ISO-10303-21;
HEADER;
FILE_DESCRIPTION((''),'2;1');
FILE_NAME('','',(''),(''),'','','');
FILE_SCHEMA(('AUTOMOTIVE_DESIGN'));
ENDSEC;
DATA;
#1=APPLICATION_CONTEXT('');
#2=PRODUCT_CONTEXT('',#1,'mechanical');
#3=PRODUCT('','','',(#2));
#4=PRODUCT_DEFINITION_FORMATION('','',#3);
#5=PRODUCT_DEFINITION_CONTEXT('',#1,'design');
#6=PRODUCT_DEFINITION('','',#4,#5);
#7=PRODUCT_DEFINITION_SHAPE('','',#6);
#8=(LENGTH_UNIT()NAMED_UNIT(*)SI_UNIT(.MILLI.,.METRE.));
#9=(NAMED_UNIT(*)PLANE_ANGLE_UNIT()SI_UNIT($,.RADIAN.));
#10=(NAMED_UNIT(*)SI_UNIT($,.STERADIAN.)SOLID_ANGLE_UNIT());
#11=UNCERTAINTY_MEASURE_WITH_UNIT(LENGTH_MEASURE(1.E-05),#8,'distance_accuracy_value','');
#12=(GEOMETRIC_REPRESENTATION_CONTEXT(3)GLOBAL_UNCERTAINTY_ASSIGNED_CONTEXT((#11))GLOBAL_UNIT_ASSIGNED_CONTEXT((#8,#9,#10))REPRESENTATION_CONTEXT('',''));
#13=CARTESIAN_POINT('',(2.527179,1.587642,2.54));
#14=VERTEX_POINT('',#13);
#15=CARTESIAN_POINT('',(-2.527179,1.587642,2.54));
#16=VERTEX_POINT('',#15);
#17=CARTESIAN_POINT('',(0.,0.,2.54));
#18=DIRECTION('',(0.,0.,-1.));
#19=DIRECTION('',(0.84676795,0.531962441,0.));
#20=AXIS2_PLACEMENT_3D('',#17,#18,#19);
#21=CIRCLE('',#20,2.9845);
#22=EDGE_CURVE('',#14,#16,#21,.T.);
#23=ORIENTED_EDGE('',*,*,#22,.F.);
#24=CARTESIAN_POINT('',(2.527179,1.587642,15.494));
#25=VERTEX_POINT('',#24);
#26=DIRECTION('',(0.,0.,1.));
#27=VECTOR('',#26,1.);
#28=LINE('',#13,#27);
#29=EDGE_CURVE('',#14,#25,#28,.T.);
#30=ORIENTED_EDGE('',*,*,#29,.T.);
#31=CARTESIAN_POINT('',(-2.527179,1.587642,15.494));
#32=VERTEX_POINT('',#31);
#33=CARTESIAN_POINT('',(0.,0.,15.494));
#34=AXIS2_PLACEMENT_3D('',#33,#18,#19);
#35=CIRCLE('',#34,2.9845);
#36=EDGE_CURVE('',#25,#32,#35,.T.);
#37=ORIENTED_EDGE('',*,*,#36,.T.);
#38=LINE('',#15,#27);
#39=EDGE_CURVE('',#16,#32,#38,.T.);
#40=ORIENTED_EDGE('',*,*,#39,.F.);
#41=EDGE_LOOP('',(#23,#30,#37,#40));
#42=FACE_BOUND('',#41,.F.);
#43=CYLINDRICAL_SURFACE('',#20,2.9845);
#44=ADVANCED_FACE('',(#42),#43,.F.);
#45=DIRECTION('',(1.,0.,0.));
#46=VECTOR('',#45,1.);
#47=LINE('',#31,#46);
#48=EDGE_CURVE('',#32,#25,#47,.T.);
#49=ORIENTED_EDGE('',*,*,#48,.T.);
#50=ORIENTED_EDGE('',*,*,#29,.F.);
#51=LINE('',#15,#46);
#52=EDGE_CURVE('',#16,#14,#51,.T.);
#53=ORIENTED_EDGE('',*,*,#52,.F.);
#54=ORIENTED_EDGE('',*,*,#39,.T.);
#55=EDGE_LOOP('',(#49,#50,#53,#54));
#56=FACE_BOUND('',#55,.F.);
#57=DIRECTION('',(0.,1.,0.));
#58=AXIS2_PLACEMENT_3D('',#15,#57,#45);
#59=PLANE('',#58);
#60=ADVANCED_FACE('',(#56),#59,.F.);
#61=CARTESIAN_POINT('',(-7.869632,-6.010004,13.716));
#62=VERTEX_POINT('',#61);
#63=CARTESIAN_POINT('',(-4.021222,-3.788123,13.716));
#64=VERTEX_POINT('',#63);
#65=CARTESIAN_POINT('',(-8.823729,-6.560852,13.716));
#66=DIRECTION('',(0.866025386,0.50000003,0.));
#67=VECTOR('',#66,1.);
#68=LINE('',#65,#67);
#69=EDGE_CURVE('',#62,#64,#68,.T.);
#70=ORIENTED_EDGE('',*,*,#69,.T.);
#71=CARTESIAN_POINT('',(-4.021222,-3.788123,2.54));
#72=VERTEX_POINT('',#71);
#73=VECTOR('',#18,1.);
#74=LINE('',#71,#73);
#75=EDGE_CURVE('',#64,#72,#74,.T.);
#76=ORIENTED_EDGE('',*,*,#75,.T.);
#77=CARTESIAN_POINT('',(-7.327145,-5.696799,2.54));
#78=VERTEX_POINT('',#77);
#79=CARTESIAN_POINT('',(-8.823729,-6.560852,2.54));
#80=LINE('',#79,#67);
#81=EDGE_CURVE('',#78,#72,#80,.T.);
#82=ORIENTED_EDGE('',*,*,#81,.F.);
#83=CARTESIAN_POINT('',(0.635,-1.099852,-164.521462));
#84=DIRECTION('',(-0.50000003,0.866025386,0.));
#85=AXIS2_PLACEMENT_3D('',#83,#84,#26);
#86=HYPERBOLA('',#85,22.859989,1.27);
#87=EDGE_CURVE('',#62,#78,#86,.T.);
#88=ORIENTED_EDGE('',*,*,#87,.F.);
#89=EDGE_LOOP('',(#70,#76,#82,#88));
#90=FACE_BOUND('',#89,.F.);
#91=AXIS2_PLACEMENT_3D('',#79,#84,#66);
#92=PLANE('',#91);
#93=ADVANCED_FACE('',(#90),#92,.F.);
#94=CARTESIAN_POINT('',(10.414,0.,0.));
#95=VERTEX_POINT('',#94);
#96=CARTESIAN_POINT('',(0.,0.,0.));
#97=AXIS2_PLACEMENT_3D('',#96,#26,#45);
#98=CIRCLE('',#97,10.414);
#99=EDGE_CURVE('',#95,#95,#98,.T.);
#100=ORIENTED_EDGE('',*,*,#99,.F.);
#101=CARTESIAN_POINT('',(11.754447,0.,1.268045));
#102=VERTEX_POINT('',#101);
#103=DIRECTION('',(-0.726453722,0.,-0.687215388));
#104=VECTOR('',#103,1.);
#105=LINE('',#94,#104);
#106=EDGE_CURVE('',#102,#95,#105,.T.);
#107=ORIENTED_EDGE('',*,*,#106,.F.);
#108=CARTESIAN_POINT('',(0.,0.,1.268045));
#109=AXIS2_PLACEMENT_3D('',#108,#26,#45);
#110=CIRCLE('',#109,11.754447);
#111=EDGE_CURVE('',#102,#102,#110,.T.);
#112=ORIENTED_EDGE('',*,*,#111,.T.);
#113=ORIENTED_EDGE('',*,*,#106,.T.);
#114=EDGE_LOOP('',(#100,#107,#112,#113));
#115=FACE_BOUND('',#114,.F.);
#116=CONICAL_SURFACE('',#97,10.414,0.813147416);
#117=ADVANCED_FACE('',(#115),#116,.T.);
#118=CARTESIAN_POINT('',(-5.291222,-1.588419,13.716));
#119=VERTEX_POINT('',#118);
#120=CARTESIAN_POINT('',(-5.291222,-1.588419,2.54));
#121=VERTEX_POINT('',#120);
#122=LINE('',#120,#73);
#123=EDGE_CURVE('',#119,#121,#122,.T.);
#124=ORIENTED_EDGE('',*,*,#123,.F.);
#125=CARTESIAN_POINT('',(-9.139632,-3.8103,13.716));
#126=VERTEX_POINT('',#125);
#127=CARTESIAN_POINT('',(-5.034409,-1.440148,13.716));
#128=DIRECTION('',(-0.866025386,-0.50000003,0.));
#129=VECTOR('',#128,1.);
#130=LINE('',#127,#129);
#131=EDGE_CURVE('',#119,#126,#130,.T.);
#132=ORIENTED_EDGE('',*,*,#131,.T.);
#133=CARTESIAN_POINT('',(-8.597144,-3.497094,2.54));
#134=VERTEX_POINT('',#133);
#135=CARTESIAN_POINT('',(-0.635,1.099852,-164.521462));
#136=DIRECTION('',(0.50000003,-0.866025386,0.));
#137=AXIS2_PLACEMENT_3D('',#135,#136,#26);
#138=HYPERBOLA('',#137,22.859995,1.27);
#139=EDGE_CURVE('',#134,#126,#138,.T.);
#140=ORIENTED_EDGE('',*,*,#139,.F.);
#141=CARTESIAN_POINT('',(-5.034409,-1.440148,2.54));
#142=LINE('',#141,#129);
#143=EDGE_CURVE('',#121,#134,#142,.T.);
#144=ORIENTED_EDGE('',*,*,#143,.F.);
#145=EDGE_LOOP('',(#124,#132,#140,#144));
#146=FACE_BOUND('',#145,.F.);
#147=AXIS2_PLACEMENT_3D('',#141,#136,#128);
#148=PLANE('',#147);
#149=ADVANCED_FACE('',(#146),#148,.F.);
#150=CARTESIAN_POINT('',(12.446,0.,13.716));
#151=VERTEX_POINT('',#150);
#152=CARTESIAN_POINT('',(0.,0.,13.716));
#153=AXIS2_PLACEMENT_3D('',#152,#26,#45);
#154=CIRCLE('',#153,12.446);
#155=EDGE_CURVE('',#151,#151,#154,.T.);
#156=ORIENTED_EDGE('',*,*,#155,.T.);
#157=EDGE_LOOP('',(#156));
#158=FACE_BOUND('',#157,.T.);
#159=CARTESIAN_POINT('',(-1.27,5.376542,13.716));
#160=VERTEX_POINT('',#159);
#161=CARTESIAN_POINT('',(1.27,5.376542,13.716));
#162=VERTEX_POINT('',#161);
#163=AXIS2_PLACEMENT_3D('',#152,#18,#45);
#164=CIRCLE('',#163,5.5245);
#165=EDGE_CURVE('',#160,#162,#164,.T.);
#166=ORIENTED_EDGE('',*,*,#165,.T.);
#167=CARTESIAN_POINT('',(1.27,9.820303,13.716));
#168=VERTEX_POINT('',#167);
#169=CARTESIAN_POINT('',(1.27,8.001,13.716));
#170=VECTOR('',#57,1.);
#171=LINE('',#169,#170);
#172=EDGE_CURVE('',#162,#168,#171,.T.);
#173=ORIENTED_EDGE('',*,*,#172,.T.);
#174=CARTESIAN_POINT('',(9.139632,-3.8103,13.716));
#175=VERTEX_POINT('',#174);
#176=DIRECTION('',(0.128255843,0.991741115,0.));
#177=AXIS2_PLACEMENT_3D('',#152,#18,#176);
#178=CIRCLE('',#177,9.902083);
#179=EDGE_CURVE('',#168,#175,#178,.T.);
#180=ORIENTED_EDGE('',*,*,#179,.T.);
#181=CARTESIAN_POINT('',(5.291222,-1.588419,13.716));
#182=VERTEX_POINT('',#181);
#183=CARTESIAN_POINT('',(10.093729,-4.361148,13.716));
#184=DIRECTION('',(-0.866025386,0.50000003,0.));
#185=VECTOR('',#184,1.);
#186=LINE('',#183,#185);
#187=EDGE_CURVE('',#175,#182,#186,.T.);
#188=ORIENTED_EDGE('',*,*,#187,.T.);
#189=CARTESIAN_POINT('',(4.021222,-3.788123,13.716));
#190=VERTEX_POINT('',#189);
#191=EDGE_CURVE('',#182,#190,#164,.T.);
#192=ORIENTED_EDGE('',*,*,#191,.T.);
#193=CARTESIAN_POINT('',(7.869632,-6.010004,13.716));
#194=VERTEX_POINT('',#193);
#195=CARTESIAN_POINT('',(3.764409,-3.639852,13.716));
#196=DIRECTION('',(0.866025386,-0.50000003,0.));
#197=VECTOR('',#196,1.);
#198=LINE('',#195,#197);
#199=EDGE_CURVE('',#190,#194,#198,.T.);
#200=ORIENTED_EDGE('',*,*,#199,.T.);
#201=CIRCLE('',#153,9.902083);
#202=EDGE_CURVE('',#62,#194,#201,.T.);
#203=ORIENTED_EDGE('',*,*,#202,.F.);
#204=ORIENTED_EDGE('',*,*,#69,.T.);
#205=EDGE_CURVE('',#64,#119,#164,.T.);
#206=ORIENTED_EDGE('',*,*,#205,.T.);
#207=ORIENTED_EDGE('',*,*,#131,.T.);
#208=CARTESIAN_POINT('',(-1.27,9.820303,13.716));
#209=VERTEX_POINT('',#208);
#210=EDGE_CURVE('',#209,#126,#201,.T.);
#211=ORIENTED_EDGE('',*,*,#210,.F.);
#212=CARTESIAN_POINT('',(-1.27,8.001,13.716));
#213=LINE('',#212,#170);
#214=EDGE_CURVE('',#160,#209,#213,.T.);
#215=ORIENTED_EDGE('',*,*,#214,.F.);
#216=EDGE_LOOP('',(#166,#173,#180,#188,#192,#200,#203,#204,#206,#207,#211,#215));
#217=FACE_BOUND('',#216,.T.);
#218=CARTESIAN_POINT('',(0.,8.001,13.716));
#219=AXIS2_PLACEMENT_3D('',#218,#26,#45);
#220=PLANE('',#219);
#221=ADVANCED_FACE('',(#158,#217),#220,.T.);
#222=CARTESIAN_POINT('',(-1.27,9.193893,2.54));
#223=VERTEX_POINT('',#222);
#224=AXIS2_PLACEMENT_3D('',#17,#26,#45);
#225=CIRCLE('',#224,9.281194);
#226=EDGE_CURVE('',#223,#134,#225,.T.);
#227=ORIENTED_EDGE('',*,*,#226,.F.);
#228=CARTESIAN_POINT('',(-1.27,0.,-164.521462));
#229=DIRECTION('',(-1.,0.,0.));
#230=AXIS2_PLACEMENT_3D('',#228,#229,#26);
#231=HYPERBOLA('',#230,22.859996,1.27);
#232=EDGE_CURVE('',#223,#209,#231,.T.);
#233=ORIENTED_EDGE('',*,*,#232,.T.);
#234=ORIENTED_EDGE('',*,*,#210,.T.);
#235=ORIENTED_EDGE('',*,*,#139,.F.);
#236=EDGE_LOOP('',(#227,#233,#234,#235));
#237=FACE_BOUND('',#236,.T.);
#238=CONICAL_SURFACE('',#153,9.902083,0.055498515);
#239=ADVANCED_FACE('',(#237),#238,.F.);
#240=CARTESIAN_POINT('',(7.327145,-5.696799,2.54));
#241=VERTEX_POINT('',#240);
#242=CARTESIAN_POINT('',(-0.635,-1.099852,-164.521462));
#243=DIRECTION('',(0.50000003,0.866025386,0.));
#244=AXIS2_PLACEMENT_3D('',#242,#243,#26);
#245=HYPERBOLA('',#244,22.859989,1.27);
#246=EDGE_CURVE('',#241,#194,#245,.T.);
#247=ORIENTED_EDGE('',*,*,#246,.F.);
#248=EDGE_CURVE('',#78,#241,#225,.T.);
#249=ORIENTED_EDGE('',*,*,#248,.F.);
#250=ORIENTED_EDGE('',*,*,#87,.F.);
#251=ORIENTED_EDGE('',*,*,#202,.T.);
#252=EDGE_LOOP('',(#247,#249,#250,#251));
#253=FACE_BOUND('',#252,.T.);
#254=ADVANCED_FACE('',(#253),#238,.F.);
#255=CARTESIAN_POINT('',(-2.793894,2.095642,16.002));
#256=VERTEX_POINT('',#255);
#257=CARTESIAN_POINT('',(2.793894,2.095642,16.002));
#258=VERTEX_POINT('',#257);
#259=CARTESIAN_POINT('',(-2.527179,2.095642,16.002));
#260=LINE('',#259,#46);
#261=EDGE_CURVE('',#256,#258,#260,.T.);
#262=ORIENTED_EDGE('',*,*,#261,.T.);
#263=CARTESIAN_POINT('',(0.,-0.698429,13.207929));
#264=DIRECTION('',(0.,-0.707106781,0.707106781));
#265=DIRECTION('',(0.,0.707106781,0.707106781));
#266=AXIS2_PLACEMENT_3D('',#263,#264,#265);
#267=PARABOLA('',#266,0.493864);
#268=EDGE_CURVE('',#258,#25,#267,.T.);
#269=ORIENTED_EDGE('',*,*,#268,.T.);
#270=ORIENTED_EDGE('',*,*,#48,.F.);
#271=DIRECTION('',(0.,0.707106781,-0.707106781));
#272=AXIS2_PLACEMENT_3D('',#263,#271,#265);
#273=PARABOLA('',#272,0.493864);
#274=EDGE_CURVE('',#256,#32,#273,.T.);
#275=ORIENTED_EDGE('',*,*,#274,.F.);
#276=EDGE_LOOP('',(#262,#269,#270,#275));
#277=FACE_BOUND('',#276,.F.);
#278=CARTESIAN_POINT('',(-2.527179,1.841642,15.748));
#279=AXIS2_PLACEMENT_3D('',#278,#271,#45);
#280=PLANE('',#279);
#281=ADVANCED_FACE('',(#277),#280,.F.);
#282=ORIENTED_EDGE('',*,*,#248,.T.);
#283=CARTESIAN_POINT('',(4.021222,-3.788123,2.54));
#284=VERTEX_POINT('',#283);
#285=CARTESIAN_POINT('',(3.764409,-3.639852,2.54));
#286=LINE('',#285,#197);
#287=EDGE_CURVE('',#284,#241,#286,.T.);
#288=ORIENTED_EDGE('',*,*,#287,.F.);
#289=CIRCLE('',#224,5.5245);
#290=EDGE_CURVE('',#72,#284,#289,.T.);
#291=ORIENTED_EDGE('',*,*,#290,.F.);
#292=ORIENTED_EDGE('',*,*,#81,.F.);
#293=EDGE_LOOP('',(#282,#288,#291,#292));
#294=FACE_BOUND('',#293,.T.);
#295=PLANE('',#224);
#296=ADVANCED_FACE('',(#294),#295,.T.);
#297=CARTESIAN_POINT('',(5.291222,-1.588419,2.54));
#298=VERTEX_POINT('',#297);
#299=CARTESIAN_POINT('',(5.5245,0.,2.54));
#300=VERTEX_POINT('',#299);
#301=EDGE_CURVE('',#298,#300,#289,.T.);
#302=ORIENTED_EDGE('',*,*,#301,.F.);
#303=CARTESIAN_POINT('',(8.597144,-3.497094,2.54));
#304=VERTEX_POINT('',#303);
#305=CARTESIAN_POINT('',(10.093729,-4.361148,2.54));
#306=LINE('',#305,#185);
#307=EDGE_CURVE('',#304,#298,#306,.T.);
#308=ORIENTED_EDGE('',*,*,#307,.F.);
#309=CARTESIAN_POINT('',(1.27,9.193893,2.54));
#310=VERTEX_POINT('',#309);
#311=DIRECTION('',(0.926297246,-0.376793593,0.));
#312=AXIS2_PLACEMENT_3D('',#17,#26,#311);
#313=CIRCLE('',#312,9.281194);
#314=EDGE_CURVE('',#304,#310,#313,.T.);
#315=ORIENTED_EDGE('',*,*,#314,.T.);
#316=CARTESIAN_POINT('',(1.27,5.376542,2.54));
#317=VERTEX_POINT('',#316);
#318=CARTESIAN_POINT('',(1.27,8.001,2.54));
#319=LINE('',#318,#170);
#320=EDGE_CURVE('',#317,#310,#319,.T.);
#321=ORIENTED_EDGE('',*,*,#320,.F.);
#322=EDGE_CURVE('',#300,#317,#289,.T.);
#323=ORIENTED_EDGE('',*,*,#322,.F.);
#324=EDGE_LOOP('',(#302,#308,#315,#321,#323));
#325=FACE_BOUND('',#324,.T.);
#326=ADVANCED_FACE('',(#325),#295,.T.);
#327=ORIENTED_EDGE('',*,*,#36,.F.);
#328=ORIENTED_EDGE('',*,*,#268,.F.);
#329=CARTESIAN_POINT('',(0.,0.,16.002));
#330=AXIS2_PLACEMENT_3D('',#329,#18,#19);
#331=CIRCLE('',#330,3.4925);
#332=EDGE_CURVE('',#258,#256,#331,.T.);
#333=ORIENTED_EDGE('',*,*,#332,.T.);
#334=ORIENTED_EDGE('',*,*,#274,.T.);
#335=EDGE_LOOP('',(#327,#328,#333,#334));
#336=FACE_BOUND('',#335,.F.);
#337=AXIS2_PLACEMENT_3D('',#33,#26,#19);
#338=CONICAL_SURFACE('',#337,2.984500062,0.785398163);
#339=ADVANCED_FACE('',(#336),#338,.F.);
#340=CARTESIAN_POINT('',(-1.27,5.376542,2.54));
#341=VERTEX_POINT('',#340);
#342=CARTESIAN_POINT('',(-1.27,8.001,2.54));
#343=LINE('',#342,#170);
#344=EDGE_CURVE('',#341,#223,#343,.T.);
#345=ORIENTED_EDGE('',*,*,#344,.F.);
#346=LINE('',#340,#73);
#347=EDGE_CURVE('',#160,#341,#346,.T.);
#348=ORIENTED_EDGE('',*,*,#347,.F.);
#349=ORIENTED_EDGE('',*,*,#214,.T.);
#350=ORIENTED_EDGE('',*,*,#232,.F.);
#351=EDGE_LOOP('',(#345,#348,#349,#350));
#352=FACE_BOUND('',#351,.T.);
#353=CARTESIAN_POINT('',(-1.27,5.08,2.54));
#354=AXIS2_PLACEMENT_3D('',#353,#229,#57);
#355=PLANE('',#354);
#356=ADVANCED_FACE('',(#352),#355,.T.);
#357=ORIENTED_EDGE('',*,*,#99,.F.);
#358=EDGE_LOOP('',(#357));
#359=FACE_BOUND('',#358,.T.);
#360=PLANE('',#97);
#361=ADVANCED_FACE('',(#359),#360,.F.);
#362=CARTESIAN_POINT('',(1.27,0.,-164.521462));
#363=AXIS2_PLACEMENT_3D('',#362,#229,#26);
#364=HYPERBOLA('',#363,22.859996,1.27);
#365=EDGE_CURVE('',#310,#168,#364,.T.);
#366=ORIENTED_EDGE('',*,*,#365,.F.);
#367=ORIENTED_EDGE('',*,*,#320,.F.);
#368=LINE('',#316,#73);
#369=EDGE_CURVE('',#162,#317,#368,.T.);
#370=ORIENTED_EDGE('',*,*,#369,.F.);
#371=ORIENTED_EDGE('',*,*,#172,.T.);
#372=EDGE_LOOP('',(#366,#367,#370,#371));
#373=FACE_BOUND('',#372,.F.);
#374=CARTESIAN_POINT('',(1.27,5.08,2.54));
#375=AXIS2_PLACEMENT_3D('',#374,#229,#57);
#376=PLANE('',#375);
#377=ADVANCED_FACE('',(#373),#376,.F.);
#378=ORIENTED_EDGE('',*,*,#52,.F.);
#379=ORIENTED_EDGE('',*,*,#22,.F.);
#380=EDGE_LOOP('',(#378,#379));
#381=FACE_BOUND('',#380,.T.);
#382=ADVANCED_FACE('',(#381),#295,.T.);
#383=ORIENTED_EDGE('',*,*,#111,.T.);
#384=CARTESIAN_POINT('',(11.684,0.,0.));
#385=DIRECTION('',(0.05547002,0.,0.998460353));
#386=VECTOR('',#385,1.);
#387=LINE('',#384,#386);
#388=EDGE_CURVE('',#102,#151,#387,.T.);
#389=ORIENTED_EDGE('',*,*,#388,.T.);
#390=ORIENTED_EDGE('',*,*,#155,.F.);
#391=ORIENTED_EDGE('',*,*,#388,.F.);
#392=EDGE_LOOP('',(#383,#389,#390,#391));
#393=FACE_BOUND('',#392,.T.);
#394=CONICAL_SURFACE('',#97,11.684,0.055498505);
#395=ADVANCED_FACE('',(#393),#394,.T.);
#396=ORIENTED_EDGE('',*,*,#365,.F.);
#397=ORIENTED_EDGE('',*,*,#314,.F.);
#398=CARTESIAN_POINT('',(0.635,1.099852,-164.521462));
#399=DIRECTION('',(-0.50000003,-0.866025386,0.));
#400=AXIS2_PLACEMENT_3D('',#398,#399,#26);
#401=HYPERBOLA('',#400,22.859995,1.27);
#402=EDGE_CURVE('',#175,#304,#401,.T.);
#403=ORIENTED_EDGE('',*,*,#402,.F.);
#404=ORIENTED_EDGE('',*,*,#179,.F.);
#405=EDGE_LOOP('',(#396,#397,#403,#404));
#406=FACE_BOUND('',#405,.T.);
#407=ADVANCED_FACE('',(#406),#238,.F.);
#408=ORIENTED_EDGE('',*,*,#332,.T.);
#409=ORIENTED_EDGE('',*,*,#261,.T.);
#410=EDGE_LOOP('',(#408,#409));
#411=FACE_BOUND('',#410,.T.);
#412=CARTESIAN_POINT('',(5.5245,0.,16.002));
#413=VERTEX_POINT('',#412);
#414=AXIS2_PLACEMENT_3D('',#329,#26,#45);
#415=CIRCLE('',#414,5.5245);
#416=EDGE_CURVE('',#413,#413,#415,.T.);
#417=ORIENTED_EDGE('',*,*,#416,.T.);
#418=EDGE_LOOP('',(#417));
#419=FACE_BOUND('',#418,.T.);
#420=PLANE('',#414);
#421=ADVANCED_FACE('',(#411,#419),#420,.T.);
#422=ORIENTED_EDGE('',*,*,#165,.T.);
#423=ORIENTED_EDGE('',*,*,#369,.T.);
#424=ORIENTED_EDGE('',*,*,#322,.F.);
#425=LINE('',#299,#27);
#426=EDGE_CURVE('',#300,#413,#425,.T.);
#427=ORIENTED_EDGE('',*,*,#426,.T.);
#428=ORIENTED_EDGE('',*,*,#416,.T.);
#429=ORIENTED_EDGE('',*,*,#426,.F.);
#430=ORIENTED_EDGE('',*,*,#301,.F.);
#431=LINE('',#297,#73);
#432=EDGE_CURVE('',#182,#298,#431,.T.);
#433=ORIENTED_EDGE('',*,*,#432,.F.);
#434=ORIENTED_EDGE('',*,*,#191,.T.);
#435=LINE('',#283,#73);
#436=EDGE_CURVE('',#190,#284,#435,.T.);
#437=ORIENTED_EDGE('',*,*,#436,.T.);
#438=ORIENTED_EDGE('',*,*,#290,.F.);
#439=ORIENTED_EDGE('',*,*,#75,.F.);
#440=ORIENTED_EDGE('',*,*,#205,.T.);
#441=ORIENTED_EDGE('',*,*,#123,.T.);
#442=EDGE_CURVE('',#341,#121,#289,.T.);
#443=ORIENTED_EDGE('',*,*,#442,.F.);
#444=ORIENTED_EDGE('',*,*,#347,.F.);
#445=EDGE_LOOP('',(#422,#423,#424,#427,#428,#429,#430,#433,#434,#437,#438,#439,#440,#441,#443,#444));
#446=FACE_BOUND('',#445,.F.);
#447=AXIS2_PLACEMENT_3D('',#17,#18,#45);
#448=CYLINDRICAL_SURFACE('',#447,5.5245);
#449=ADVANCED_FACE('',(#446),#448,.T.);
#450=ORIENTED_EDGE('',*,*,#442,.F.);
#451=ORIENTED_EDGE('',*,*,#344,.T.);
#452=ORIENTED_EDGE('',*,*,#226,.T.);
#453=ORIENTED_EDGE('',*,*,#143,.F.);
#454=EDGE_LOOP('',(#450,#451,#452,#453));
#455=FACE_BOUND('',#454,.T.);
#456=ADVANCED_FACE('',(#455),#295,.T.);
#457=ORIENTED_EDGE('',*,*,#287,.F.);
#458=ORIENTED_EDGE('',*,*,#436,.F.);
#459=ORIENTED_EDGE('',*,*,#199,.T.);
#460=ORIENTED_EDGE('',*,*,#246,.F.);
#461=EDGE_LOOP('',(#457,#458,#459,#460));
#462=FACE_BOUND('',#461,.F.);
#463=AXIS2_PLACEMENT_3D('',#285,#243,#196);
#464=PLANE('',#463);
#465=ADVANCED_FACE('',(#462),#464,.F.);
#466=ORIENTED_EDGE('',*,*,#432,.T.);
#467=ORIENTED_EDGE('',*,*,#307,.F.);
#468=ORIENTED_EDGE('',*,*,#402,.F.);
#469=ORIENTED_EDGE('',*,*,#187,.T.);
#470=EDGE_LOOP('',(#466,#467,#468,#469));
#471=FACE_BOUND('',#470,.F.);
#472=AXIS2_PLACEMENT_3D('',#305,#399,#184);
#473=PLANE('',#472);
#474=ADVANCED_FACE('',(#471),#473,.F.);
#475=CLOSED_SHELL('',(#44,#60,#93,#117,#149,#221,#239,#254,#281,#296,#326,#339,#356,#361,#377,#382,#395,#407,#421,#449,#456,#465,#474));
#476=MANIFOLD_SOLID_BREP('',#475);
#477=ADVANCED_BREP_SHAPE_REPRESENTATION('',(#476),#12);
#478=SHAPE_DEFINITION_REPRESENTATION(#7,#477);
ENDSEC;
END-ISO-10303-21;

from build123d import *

# Parameters (mm, degrees)
F2_R     = 5.5245
F3_DEPTH = 13.462
F4_W     = 2.54
F4_H     = 5.842
F5_DEPTH = 11.176
F6_SIZE  = 0.508
F7_SIZE  = 1.27


with BuildPart() as f1:
    # F0 (on Front) → F1 (revolve)
    with BuildSketch(Plane.XZ):
        Polygon((0, 2.54), (0, 0), (11.684, 0), (12.446, 13.716), (9.902083, 13.716), (9.281194, 2.54), align=None)
    revolve(axis=Axis((0, 0, 1.27), (0, 0, 1)))

    # F2 (on face) → F3 (join)
    with BuildSketch(Plane.XY.offset(2.54)):
        Circle(F2_R)
        with BuildLine():
            ThreePointArc((2.527179, 1.587642), (0, -2.9845), (-2.527179, 1.587642))
            Line((-2.527179, 1.587642), (2.527179, 1.587642))
        make_face(mode=Mode.SUBTRACT)
    extrude(amount=F3_DEPTH)

    # F4 (on face) → F5 (join, through all)
    with BuildSketch(Plane.XY.offset(2.54)):
        with Locations((0, 8.001)):
            Rectangle(F4_W, F4_H)
        Polygon((-10.093729, -4.361148), (-8.823729, -6.560852), (-3.764409, -3.639852), (-5.034409, -1.440148), align=None)
        Polygon((8.823729, -6.560852), (10.093729, -4.361148), (5.034409, -1.440148), (3.764409, -3.639852), align=None)
    extrude(amount=F5_DEPTH)

    # F6
    f6_edges = [f1.edges().sort_by_distance(p)[0] for p in [
        (0, 1.587642, 16.002),
        (0, -2.9845, 16.002),
    ]]
    chamfer(f6_edges, length=F6_SIZE)

    # F7
    f7_edges = [f1.edges().sort_by_distance(p)[0] for p in [
        (-11.684, 0, 0),
    ]]
    chamfer(f7_edges, length=F7_SIZE)


solid = f1.part
